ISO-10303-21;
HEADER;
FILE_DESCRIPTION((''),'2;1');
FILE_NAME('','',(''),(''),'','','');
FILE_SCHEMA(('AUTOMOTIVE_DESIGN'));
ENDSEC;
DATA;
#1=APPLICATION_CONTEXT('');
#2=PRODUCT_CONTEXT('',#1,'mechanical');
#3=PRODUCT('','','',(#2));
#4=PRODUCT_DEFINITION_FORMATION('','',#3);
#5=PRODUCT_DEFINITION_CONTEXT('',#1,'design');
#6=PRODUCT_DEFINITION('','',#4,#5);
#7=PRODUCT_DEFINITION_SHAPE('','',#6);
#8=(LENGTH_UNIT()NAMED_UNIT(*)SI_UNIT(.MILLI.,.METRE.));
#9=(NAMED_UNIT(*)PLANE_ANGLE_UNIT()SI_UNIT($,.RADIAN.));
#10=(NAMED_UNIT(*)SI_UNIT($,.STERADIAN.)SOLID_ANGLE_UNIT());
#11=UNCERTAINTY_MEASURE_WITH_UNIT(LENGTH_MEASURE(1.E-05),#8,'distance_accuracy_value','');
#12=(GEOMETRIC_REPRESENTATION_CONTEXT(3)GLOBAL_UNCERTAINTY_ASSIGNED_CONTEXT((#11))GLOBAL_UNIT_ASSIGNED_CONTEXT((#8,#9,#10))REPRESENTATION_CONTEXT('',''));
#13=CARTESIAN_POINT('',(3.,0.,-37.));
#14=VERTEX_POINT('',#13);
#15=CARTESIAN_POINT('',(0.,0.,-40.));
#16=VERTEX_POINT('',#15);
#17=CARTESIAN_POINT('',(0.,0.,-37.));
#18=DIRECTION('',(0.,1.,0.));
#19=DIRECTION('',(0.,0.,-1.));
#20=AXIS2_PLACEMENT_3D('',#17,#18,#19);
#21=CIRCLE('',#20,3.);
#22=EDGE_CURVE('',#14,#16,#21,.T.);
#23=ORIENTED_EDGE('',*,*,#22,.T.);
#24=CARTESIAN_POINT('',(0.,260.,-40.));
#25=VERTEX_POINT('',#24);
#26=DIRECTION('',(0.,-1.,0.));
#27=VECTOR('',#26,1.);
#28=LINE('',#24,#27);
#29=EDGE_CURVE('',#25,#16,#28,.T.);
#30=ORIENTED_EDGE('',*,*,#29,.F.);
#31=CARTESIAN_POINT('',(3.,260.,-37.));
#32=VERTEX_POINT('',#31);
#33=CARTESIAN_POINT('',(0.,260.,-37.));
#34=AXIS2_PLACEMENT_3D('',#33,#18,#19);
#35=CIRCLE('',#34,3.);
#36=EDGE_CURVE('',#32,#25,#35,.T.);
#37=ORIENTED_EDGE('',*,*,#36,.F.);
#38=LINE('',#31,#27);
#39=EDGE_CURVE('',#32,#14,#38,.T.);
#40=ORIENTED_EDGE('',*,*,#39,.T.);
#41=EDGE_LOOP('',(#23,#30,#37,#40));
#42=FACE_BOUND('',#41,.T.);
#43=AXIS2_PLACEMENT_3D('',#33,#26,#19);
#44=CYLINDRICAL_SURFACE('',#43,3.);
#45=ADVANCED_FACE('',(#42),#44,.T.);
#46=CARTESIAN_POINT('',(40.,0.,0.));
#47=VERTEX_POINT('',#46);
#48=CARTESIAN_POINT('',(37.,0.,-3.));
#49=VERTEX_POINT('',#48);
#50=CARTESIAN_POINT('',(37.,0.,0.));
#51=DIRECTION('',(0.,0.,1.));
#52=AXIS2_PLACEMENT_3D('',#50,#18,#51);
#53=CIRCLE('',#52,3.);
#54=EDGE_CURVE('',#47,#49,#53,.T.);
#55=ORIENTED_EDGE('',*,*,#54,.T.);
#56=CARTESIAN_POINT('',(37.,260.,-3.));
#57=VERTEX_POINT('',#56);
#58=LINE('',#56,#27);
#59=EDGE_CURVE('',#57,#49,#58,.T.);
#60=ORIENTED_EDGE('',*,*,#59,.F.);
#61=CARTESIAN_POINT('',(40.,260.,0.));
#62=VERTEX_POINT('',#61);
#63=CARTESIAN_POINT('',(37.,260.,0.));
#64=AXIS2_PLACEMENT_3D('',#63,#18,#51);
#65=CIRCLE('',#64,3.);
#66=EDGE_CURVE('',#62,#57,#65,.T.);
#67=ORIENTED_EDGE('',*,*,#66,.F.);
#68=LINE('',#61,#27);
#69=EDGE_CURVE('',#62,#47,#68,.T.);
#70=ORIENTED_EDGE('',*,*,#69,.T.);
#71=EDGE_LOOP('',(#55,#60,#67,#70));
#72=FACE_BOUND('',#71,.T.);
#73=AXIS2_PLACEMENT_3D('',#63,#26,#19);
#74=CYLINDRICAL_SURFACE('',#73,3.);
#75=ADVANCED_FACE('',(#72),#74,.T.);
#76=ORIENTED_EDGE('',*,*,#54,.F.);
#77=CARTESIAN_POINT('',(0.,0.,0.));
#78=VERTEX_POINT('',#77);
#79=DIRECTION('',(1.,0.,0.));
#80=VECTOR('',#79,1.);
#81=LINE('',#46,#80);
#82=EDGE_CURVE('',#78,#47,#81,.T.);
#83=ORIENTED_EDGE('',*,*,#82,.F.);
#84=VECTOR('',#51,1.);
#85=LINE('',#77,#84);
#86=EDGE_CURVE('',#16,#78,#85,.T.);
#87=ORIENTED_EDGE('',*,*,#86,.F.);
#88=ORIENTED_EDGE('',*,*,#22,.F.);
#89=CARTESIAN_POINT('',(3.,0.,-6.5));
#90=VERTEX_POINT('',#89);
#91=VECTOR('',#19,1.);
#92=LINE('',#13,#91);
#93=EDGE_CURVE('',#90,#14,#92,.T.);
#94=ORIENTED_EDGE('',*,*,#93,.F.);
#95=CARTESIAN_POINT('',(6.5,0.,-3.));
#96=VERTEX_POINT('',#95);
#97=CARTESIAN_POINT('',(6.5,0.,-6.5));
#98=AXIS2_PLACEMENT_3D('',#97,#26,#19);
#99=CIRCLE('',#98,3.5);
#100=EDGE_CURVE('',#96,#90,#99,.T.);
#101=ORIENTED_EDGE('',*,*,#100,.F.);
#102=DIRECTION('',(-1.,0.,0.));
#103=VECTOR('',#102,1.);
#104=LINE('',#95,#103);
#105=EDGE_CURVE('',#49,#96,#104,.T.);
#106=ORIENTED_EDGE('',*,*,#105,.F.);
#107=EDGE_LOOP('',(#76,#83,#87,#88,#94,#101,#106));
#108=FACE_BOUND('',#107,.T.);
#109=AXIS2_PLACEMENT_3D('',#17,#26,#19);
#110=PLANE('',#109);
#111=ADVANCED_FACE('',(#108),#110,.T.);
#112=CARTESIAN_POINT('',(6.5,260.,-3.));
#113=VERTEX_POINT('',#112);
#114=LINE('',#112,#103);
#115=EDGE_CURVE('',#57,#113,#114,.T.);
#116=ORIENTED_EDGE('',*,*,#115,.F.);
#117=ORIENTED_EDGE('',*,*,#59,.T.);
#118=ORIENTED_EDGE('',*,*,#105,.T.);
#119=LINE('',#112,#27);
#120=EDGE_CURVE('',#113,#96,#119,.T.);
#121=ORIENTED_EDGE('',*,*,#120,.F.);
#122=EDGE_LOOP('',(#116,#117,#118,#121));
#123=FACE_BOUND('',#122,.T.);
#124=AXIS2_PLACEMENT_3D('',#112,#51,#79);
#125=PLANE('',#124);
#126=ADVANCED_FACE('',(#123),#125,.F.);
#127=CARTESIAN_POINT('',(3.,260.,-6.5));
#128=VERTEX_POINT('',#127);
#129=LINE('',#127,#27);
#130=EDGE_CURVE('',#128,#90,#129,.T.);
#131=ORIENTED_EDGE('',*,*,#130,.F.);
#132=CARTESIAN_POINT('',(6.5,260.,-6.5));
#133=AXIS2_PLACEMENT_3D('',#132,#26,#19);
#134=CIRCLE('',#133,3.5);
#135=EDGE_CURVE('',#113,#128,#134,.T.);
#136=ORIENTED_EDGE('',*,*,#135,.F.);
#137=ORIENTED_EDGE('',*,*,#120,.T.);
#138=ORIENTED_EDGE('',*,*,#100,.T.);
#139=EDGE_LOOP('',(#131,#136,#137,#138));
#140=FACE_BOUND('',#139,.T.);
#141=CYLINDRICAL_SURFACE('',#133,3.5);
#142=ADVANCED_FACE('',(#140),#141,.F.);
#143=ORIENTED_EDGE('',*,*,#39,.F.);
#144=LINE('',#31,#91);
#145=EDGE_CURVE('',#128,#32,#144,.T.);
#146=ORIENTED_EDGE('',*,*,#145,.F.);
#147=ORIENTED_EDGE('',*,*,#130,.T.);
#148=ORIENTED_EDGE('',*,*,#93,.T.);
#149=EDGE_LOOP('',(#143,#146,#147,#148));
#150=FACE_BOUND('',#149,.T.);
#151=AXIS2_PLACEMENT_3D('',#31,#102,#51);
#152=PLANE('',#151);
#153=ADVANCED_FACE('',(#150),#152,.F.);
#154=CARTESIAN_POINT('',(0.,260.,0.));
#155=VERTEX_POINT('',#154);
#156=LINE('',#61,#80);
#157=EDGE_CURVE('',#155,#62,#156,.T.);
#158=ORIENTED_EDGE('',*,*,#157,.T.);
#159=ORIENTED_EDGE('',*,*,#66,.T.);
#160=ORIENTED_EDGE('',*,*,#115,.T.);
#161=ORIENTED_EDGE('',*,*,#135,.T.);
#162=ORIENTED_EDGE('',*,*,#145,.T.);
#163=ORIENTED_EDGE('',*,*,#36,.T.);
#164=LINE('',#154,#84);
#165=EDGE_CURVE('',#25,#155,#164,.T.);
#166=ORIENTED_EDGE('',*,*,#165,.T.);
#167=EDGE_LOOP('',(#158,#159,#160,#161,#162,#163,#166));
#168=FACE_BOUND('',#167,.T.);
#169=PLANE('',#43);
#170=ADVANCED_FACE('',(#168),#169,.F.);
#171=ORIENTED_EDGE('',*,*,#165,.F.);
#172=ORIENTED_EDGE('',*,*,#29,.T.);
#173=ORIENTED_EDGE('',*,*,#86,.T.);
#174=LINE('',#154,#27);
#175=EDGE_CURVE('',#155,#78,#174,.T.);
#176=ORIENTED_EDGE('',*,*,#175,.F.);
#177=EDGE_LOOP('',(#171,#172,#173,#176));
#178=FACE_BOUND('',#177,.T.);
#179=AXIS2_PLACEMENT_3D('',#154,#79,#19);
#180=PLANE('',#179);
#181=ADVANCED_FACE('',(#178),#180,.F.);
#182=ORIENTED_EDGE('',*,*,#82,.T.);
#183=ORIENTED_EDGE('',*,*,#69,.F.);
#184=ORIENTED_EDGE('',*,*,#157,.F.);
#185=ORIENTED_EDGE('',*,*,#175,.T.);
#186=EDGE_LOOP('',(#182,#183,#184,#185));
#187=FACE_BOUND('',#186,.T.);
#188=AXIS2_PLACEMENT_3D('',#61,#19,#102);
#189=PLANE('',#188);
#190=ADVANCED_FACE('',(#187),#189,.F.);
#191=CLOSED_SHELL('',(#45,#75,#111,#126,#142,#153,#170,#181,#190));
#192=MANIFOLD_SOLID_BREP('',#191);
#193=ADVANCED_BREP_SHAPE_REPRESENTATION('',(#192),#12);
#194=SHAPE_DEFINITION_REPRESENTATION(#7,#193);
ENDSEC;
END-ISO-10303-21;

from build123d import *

# Parameters (mm, degrees)
IRON_V40X40X3_1_DEPTH = 260


with BuildPart() as part:
    # Sketch1 → Iron V40X40X3(1) (new body)
    with BuildSketch(Plane(origin=(0, 0, 0), x_dir=(1, 0, 0), z_dir=(0, 1, 0))):
        with BuildLine():
            Line((0, 0), (0, 40))
            ThreePointArc((0, 40), (2.121320344, 39.121320344), (3, 37))
            Line((3, 37), (3, 6.5))
            ThreePointArc((3, 6.5), (4.025126266, 4.025126266), (6.5, 3))
            Line((6.5, 3), (37, 3))
            ThreePointArc((37, 3), (39.121320344, 2.121320344), (40, 0))
            Line((40, 0), (0, 0))
        make_face()
    extrude(amount=IRON_V40X40X3_1_DEPTH)


solid = part.part
